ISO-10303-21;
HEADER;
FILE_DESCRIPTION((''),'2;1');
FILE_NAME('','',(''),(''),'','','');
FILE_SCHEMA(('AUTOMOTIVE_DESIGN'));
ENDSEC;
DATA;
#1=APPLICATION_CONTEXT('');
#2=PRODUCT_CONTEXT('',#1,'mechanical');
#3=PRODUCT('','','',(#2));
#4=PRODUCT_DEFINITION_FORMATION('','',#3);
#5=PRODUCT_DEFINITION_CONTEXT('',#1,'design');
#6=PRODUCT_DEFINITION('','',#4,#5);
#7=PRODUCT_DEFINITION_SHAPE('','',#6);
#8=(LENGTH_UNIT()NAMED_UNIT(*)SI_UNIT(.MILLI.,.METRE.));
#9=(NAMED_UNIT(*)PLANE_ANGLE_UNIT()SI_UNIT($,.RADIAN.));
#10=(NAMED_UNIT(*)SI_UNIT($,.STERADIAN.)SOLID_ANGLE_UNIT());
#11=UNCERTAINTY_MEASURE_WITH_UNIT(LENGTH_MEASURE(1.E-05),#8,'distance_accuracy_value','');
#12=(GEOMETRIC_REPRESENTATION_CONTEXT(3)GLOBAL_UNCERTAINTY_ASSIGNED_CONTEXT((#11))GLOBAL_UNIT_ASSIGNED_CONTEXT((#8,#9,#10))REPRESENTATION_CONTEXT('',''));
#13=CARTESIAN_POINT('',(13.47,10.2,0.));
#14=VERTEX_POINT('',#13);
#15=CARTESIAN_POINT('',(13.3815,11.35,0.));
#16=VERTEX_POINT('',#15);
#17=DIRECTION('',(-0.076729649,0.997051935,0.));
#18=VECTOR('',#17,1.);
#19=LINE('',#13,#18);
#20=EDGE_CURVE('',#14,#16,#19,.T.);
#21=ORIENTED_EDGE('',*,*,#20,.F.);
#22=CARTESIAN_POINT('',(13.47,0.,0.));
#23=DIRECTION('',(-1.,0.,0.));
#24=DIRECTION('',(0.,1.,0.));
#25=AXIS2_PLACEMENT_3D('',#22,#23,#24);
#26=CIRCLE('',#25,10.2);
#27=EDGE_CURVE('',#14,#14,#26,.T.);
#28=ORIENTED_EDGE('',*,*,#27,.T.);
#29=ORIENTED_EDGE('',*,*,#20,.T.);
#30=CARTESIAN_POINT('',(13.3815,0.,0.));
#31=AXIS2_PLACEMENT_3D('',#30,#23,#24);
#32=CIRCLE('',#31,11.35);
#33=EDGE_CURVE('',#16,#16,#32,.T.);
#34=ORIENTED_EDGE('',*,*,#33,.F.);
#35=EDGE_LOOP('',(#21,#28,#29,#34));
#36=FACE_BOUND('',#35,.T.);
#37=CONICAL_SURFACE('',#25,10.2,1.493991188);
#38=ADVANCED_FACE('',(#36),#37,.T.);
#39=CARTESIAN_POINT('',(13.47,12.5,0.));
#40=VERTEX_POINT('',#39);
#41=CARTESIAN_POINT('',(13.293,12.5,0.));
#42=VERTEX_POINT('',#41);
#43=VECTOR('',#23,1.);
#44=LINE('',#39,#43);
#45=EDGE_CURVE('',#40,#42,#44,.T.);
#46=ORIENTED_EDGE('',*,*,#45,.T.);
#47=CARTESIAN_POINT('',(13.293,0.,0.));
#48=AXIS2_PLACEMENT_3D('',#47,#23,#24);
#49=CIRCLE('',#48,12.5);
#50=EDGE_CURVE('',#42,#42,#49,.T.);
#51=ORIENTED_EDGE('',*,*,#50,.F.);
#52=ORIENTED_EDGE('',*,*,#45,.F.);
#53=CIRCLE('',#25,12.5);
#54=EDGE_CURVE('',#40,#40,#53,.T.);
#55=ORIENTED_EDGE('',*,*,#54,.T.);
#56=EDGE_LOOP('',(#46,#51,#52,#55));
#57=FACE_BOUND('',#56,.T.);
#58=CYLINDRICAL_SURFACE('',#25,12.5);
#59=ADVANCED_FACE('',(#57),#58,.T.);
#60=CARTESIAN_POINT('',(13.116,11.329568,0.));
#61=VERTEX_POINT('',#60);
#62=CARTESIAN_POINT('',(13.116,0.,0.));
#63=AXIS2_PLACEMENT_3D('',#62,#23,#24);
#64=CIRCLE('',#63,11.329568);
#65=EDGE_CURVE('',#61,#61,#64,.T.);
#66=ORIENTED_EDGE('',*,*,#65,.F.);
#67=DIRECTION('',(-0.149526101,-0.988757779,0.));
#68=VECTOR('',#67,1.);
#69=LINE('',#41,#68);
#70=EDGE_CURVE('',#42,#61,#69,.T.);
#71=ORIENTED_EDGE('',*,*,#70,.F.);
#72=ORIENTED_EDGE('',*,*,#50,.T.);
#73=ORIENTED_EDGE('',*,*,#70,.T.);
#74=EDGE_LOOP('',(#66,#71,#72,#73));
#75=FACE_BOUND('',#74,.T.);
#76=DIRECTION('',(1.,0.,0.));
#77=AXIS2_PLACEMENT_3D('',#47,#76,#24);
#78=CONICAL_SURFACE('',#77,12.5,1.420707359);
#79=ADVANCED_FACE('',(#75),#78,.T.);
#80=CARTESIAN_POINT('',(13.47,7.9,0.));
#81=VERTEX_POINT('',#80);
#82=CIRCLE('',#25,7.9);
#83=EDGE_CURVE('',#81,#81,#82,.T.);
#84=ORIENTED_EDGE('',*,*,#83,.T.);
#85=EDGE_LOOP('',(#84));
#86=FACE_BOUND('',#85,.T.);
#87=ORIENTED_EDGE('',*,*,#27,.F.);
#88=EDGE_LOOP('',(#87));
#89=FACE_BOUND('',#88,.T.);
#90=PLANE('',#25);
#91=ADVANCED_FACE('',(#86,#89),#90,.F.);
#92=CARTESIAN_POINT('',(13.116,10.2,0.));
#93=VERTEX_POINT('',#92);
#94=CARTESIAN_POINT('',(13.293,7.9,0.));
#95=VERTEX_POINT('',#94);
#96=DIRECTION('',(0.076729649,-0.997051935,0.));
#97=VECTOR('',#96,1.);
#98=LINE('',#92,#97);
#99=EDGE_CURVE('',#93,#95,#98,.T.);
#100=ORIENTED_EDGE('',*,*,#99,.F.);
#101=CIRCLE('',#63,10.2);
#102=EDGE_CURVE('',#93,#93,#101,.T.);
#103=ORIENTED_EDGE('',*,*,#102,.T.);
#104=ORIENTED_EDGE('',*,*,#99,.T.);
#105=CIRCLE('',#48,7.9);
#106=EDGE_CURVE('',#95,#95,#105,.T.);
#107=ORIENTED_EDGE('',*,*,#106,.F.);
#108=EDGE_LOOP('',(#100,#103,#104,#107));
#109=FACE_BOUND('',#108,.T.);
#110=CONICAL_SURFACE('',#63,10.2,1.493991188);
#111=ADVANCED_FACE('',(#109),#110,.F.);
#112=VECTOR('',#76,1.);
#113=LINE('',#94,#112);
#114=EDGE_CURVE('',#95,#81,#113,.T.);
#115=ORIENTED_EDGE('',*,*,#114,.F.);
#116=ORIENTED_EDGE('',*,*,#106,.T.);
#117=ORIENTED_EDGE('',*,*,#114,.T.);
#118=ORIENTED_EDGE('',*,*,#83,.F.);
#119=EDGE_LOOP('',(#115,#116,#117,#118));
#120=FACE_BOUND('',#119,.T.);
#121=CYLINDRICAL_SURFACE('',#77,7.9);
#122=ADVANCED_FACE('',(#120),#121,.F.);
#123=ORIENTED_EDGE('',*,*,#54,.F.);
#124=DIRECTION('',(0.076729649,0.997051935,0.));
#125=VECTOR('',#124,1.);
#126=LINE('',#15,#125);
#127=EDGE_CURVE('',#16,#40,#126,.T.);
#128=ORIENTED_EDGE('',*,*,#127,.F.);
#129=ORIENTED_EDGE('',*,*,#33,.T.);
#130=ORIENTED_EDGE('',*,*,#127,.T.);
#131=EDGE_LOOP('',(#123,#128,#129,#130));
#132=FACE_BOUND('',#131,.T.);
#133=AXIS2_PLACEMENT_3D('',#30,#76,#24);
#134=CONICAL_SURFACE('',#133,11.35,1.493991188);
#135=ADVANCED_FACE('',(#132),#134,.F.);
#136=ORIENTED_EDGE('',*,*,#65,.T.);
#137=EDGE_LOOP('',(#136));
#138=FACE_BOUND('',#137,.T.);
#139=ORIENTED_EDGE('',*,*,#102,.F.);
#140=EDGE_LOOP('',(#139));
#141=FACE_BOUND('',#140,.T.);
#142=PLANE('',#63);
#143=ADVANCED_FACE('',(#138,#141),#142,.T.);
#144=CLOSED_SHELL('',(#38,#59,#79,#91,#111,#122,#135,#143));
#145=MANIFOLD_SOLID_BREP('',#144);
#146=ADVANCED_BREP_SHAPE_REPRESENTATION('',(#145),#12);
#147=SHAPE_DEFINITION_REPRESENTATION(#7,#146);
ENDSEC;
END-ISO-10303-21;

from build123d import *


with BuildPart() as part:
    # Sketch1 → Revolve1 (revolve)
    with BuildSketch(Plane.XY):
        Polygon((13.116, 11.329568043), (13.116, 10.2), (13.293, 7.9), (13.47, 7.9), (13.47, 10.2), (13.3815, 11.35), (13.47, 12.5), (13.293, 12.5), align=None)
    revolve(axis=Axis((50, 0, 0), (-1, 0, 0)))


solid = part.part
